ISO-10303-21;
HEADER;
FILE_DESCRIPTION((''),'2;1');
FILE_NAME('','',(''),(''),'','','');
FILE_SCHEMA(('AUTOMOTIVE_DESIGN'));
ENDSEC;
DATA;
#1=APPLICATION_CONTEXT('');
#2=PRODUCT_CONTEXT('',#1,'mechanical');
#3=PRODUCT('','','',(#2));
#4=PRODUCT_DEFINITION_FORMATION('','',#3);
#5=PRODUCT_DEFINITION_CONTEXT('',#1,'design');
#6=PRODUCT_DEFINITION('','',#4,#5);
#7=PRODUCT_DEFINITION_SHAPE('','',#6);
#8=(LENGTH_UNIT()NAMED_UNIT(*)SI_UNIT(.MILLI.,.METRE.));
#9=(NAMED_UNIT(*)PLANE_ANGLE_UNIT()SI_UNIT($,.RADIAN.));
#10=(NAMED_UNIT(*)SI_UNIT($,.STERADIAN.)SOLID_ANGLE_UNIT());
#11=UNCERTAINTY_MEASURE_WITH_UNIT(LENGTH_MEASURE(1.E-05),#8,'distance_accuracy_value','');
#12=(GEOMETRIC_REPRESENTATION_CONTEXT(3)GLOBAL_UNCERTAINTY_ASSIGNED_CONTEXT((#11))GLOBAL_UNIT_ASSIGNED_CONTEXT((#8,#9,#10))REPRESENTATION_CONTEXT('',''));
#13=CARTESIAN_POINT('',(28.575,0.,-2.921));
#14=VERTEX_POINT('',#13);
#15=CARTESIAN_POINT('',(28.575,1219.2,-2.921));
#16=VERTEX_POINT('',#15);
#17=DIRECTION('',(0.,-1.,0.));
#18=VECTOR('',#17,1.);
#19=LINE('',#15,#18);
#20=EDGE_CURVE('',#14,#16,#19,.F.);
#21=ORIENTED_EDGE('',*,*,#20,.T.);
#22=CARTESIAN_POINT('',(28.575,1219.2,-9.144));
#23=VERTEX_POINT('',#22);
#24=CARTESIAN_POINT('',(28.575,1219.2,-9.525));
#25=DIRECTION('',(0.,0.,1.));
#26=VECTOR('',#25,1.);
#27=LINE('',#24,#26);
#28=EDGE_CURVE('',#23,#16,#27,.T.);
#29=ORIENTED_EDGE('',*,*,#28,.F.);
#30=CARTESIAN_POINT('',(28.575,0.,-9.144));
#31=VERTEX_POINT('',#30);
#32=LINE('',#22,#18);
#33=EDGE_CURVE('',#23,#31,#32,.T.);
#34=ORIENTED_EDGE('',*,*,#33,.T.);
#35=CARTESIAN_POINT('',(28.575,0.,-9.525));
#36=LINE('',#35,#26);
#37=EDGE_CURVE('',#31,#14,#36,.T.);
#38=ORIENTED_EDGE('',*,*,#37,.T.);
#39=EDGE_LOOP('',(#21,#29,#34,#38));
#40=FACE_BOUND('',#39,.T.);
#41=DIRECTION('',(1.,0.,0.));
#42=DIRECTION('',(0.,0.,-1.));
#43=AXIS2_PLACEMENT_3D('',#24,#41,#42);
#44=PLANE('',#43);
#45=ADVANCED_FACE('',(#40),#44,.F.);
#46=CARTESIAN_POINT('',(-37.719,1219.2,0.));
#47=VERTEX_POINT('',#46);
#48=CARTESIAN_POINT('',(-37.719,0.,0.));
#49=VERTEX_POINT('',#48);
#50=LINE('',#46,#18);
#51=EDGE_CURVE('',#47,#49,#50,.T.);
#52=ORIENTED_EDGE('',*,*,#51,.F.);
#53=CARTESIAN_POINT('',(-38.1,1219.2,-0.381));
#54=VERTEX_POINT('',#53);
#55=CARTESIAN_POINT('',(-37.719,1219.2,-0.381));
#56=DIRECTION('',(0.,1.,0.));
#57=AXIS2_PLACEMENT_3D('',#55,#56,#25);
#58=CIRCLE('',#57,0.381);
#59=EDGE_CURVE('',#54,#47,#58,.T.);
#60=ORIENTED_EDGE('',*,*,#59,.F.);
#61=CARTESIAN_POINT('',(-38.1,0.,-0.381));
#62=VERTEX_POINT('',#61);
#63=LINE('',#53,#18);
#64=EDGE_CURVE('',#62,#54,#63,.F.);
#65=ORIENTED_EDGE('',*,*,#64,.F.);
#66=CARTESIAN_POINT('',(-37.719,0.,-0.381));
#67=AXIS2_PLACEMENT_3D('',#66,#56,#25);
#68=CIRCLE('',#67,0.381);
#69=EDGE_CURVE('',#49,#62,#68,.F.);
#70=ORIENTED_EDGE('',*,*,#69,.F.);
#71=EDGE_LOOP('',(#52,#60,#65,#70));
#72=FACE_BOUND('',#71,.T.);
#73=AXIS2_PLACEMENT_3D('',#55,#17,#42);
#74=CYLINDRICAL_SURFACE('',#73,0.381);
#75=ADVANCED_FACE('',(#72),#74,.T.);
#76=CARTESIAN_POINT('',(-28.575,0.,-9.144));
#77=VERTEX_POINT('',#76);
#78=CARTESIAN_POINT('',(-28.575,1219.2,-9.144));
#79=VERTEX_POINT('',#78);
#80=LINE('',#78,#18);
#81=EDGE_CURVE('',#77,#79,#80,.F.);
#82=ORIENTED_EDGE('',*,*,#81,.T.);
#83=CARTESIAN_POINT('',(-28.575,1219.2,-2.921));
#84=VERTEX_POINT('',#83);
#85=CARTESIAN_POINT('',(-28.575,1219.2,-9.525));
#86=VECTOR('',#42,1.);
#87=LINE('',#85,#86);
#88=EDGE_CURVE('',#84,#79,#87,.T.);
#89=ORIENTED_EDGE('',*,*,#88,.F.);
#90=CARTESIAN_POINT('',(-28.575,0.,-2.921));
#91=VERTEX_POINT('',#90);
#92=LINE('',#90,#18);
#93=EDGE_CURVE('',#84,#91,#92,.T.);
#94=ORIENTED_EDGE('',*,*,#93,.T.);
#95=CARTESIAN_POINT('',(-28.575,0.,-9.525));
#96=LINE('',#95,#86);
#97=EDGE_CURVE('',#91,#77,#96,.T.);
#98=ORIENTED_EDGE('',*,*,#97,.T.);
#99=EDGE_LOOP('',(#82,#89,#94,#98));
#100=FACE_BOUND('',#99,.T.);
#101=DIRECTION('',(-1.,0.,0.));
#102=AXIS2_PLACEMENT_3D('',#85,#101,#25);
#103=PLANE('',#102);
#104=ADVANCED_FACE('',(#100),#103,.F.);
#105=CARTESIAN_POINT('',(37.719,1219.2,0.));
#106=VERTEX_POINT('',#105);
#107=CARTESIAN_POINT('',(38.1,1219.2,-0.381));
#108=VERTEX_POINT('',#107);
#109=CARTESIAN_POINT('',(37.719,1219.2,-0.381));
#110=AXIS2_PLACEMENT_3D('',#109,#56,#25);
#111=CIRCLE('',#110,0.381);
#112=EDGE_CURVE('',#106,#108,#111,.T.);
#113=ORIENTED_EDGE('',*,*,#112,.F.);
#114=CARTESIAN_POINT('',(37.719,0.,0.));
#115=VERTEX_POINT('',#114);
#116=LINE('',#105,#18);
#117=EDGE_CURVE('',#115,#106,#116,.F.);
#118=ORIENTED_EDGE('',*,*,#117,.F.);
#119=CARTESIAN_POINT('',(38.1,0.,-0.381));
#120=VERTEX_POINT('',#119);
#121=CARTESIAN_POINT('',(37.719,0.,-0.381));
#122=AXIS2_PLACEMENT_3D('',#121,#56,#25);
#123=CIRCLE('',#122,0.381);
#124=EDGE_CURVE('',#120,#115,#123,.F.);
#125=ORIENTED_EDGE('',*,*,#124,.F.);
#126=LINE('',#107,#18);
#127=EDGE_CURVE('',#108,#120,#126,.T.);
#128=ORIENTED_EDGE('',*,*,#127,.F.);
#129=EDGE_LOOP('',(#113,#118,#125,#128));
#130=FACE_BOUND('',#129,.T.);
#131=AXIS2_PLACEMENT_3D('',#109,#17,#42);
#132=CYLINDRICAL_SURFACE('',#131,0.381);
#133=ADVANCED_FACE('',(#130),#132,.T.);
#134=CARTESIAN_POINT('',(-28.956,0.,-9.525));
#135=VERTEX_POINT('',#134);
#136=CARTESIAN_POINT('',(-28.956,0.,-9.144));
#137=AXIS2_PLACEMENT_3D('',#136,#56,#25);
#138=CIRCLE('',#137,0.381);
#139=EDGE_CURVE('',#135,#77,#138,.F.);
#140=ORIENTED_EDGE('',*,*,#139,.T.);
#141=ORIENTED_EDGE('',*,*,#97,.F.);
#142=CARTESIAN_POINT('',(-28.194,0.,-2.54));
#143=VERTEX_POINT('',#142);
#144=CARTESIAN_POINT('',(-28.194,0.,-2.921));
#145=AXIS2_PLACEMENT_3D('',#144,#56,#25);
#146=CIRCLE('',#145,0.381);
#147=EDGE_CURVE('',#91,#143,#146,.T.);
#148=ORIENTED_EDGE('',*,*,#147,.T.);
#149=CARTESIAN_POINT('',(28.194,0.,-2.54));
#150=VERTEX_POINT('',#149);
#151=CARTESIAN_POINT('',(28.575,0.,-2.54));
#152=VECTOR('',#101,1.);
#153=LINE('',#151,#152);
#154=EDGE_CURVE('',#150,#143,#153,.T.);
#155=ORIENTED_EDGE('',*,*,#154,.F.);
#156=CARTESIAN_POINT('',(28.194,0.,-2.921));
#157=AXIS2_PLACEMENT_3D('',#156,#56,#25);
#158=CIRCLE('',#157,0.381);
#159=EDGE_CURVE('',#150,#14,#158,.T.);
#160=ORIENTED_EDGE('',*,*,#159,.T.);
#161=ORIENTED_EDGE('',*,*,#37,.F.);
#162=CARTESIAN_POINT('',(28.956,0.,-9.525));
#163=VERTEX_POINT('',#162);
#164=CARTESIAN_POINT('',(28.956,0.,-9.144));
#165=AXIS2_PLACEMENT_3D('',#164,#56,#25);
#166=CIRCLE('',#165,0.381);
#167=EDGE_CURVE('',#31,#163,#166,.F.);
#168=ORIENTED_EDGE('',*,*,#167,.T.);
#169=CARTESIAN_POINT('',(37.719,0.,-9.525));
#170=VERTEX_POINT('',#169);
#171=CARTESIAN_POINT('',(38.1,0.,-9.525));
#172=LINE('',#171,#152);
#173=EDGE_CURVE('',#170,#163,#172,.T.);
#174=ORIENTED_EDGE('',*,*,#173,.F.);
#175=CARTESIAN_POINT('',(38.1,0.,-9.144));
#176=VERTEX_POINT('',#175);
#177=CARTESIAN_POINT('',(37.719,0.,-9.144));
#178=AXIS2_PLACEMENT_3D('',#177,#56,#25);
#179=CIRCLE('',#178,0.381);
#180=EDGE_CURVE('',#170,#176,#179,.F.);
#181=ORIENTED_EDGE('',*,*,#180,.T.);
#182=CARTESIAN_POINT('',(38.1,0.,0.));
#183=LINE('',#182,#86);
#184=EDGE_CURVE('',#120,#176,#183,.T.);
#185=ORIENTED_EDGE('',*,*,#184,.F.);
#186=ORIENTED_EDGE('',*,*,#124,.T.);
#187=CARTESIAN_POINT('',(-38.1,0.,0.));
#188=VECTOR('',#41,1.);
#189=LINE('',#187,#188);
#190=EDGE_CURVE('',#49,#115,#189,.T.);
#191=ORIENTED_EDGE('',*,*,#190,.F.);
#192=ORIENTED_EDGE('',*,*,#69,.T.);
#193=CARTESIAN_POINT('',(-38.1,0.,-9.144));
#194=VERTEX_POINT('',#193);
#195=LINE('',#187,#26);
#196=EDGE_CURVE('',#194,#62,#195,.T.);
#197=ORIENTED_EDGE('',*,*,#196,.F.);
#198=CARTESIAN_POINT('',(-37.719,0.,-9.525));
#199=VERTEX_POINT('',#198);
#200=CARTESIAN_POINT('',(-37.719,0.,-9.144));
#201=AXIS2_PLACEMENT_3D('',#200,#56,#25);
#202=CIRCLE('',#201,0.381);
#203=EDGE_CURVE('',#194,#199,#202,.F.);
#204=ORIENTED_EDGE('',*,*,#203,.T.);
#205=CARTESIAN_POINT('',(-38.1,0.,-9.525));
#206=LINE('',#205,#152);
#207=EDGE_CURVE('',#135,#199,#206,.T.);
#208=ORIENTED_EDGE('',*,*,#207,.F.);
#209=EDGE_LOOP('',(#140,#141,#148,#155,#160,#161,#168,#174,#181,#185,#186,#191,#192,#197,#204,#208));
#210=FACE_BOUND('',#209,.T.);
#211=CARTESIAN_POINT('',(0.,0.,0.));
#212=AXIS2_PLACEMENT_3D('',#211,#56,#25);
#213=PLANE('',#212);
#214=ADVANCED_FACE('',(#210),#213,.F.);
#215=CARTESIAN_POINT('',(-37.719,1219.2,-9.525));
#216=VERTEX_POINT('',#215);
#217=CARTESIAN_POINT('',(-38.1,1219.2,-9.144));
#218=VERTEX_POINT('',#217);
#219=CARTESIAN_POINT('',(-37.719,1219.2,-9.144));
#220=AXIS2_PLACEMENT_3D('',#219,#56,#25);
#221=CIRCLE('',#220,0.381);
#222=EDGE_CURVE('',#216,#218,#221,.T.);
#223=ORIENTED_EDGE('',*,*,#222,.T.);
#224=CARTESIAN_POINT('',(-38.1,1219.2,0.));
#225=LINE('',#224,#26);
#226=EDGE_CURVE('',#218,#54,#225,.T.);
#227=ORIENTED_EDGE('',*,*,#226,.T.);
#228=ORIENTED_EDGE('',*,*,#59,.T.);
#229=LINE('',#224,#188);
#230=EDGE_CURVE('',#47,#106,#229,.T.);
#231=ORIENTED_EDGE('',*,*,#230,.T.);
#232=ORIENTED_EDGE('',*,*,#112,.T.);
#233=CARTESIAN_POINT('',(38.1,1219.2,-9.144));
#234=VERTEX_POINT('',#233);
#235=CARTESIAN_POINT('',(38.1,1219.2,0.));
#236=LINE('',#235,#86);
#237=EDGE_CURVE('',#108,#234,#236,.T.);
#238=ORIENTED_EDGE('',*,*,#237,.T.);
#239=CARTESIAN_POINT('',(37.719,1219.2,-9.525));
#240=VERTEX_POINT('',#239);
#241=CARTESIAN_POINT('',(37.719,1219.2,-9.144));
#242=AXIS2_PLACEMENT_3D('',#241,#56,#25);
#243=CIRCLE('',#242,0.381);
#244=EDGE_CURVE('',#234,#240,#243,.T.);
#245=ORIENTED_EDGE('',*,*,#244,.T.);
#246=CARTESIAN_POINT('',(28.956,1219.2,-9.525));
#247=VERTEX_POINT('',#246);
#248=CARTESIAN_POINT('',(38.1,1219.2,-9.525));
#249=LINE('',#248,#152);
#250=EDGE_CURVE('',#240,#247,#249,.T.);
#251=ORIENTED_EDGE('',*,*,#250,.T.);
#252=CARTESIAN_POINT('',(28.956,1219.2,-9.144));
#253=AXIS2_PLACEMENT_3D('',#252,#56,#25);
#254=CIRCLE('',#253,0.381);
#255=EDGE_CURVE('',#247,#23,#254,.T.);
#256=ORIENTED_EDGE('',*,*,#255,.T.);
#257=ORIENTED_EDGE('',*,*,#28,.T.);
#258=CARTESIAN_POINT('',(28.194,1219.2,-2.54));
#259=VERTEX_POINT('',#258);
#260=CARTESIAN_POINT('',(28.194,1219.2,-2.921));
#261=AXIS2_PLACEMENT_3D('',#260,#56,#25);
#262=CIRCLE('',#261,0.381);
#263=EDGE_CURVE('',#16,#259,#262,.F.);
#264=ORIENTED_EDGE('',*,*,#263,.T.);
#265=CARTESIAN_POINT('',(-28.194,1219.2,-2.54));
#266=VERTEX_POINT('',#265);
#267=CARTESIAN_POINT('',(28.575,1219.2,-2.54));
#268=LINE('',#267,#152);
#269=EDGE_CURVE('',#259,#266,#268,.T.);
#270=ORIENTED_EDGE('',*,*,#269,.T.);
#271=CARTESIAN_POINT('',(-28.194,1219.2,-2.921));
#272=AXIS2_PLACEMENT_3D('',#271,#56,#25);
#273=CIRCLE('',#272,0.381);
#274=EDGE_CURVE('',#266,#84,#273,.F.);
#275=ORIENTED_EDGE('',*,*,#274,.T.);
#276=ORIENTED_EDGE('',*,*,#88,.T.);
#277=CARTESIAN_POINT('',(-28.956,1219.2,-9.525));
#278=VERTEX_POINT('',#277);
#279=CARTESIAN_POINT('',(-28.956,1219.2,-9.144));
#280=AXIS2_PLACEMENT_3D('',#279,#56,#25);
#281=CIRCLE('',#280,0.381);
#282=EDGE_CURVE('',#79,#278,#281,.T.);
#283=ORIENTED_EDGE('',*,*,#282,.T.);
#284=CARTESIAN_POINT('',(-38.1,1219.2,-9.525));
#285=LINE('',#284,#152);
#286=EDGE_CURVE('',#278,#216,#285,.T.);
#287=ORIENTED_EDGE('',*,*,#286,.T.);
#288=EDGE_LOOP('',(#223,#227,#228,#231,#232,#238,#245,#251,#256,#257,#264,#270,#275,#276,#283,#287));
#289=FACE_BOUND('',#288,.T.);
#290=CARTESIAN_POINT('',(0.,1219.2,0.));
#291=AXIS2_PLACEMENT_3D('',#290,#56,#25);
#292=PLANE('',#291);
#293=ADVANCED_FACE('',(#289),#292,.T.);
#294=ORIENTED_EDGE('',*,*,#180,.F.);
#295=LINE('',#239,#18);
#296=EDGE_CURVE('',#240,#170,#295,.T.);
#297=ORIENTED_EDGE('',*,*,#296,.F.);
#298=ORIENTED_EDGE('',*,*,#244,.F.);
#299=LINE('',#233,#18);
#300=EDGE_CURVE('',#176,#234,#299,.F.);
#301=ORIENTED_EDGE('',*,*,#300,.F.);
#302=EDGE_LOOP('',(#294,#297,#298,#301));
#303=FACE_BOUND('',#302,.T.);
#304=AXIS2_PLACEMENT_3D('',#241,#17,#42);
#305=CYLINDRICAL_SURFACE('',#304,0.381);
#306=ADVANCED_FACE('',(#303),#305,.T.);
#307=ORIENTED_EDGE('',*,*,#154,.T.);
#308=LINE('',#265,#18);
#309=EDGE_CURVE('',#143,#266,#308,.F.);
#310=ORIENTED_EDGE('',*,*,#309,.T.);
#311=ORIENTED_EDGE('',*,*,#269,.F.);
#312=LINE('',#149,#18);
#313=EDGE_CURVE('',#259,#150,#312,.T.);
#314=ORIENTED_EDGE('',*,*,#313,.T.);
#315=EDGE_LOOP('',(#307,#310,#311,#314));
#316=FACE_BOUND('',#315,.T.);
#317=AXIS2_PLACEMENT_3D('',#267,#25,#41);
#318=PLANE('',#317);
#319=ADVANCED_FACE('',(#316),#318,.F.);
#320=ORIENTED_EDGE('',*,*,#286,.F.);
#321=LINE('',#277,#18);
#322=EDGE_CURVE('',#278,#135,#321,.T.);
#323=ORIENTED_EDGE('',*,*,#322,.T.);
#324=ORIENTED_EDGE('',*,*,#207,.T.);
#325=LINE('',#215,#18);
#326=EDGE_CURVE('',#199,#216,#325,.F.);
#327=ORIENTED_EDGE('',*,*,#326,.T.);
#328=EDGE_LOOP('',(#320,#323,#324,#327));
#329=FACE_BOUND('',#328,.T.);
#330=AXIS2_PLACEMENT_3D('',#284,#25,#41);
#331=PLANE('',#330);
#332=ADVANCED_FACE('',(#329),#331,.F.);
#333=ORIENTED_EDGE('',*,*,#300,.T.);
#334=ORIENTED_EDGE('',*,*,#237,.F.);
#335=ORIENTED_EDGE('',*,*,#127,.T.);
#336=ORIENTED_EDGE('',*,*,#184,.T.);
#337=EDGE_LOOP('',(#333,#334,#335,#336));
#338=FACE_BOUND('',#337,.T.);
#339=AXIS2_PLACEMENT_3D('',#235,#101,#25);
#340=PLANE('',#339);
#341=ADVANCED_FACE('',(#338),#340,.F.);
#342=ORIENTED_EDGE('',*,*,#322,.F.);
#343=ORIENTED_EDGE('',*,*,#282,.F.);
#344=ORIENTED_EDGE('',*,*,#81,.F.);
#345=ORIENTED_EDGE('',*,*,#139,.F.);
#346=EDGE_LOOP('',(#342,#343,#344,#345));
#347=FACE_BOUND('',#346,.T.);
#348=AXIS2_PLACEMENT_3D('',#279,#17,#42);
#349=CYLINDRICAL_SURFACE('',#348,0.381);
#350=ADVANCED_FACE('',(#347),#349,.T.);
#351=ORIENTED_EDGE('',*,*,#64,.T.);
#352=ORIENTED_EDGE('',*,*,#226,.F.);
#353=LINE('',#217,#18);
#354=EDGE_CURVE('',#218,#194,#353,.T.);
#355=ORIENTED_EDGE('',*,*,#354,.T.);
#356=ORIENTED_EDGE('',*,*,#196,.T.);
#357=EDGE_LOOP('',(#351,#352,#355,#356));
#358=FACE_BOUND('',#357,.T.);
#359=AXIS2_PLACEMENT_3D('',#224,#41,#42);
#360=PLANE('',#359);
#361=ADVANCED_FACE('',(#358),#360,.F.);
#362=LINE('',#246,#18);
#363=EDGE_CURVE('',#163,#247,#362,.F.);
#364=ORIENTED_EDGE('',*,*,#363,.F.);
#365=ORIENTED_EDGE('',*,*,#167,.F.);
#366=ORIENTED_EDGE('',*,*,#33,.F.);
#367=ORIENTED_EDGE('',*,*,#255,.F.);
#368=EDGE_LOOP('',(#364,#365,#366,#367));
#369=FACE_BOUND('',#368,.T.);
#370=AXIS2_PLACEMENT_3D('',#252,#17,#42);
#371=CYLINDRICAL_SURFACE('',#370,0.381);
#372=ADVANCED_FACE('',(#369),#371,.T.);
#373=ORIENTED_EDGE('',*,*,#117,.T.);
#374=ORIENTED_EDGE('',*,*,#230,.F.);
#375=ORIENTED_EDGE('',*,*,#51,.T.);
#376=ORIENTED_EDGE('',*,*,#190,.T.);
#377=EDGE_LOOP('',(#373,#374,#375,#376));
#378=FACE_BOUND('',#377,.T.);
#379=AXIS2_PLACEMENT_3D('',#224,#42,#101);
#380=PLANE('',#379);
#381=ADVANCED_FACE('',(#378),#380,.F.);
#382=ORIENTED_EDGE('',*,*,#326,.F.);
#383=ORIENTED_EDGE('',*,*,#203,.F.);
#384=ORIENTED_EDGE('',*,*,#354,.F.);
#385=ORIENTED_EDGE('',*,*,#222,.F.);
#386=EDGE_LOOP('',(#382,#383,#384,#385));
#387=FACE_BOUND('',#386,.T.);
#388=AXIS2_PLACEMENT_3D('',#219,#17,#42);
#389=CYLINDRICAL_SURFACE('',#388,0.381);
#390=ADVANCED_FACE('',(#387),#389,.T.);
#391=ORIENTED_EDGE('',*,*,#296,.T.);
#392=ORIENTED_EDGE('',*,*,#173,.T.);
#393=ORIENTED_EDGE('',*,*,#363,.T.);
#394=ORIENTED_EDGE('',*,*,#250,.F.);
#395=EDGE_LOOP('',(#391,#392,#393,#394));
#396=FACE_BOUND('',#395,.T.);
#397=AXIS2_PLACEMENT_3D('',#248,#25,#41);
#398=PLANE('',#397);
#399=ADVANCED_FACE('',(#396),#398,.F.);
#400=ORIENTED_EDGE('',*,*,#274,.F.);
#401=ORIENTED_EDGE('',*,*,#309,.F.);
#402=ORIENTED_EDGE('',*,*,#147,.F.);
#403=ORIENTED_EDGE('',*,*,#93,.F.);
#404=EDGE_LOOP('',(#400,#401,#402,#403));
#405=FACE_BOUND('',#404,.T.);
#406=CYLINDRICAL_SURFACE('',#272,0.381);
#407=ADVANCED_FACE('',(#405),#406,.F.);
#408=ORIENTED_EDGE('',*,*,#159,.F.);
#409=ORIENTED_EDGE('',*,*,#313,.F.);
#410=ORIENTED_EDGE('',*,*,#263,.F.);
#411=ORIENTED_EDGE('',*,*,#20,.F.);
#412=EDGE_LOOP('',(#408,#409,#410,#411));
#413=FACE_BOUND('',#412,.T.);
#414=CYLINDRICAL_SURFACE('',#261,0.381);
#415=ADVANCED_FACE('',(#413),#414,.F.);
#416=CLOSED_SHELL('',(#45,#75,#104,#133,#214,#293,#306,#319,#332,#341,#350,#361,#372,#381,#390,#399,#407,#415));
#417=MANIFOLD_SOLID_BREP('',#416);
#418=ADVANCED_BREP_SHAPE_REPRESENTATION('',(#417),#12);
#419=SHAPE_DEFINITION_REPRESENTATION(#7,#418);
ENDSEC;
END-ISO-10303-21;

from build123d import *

# Parameters (mm, degrees)
BOSS_EXTRUDE1_DEPTH = 1219.2
FILLET1_R           = 0.381


with BuildPart() as part:
    # Sketch2 → Boss-Extrude1 (new body)
    with BuildSketch(Plane(origin=(0, 0, 0), x_dir=(1, 0, 0), z_dir=(0, 1, 0))):
        Polygon((-38.1, 0), (38.1, 0), (38.1, 9.525), (28.575, 9.525), (28.575, 2.54), (-28.575, 2.54), (-28.575, 9.525), (-38.1, 9.525), align=None)
    extrude(amount=BOSS_EXTRUDE1_DEPTH)

    # Fillet1
    fillet1_edges = [part.edges().sort_by_distance(p)[0] for p in [
        (38.1, 609.6, 0),
        (-38.1, 609.6, 0),
        (-38.1, 609.6, -9.525),
        (-28.575, 609.6, -9.525),
        (-28.575, 609.6, -2.54),
        (28.575, 609.6, -2.54),
        (28.575, 609.6, -9.525),
        (38.1, 609.6, -9.525),
    ]]
    fillet(fillet1_edges, radius=FILLET1_R)


solid = part.part
